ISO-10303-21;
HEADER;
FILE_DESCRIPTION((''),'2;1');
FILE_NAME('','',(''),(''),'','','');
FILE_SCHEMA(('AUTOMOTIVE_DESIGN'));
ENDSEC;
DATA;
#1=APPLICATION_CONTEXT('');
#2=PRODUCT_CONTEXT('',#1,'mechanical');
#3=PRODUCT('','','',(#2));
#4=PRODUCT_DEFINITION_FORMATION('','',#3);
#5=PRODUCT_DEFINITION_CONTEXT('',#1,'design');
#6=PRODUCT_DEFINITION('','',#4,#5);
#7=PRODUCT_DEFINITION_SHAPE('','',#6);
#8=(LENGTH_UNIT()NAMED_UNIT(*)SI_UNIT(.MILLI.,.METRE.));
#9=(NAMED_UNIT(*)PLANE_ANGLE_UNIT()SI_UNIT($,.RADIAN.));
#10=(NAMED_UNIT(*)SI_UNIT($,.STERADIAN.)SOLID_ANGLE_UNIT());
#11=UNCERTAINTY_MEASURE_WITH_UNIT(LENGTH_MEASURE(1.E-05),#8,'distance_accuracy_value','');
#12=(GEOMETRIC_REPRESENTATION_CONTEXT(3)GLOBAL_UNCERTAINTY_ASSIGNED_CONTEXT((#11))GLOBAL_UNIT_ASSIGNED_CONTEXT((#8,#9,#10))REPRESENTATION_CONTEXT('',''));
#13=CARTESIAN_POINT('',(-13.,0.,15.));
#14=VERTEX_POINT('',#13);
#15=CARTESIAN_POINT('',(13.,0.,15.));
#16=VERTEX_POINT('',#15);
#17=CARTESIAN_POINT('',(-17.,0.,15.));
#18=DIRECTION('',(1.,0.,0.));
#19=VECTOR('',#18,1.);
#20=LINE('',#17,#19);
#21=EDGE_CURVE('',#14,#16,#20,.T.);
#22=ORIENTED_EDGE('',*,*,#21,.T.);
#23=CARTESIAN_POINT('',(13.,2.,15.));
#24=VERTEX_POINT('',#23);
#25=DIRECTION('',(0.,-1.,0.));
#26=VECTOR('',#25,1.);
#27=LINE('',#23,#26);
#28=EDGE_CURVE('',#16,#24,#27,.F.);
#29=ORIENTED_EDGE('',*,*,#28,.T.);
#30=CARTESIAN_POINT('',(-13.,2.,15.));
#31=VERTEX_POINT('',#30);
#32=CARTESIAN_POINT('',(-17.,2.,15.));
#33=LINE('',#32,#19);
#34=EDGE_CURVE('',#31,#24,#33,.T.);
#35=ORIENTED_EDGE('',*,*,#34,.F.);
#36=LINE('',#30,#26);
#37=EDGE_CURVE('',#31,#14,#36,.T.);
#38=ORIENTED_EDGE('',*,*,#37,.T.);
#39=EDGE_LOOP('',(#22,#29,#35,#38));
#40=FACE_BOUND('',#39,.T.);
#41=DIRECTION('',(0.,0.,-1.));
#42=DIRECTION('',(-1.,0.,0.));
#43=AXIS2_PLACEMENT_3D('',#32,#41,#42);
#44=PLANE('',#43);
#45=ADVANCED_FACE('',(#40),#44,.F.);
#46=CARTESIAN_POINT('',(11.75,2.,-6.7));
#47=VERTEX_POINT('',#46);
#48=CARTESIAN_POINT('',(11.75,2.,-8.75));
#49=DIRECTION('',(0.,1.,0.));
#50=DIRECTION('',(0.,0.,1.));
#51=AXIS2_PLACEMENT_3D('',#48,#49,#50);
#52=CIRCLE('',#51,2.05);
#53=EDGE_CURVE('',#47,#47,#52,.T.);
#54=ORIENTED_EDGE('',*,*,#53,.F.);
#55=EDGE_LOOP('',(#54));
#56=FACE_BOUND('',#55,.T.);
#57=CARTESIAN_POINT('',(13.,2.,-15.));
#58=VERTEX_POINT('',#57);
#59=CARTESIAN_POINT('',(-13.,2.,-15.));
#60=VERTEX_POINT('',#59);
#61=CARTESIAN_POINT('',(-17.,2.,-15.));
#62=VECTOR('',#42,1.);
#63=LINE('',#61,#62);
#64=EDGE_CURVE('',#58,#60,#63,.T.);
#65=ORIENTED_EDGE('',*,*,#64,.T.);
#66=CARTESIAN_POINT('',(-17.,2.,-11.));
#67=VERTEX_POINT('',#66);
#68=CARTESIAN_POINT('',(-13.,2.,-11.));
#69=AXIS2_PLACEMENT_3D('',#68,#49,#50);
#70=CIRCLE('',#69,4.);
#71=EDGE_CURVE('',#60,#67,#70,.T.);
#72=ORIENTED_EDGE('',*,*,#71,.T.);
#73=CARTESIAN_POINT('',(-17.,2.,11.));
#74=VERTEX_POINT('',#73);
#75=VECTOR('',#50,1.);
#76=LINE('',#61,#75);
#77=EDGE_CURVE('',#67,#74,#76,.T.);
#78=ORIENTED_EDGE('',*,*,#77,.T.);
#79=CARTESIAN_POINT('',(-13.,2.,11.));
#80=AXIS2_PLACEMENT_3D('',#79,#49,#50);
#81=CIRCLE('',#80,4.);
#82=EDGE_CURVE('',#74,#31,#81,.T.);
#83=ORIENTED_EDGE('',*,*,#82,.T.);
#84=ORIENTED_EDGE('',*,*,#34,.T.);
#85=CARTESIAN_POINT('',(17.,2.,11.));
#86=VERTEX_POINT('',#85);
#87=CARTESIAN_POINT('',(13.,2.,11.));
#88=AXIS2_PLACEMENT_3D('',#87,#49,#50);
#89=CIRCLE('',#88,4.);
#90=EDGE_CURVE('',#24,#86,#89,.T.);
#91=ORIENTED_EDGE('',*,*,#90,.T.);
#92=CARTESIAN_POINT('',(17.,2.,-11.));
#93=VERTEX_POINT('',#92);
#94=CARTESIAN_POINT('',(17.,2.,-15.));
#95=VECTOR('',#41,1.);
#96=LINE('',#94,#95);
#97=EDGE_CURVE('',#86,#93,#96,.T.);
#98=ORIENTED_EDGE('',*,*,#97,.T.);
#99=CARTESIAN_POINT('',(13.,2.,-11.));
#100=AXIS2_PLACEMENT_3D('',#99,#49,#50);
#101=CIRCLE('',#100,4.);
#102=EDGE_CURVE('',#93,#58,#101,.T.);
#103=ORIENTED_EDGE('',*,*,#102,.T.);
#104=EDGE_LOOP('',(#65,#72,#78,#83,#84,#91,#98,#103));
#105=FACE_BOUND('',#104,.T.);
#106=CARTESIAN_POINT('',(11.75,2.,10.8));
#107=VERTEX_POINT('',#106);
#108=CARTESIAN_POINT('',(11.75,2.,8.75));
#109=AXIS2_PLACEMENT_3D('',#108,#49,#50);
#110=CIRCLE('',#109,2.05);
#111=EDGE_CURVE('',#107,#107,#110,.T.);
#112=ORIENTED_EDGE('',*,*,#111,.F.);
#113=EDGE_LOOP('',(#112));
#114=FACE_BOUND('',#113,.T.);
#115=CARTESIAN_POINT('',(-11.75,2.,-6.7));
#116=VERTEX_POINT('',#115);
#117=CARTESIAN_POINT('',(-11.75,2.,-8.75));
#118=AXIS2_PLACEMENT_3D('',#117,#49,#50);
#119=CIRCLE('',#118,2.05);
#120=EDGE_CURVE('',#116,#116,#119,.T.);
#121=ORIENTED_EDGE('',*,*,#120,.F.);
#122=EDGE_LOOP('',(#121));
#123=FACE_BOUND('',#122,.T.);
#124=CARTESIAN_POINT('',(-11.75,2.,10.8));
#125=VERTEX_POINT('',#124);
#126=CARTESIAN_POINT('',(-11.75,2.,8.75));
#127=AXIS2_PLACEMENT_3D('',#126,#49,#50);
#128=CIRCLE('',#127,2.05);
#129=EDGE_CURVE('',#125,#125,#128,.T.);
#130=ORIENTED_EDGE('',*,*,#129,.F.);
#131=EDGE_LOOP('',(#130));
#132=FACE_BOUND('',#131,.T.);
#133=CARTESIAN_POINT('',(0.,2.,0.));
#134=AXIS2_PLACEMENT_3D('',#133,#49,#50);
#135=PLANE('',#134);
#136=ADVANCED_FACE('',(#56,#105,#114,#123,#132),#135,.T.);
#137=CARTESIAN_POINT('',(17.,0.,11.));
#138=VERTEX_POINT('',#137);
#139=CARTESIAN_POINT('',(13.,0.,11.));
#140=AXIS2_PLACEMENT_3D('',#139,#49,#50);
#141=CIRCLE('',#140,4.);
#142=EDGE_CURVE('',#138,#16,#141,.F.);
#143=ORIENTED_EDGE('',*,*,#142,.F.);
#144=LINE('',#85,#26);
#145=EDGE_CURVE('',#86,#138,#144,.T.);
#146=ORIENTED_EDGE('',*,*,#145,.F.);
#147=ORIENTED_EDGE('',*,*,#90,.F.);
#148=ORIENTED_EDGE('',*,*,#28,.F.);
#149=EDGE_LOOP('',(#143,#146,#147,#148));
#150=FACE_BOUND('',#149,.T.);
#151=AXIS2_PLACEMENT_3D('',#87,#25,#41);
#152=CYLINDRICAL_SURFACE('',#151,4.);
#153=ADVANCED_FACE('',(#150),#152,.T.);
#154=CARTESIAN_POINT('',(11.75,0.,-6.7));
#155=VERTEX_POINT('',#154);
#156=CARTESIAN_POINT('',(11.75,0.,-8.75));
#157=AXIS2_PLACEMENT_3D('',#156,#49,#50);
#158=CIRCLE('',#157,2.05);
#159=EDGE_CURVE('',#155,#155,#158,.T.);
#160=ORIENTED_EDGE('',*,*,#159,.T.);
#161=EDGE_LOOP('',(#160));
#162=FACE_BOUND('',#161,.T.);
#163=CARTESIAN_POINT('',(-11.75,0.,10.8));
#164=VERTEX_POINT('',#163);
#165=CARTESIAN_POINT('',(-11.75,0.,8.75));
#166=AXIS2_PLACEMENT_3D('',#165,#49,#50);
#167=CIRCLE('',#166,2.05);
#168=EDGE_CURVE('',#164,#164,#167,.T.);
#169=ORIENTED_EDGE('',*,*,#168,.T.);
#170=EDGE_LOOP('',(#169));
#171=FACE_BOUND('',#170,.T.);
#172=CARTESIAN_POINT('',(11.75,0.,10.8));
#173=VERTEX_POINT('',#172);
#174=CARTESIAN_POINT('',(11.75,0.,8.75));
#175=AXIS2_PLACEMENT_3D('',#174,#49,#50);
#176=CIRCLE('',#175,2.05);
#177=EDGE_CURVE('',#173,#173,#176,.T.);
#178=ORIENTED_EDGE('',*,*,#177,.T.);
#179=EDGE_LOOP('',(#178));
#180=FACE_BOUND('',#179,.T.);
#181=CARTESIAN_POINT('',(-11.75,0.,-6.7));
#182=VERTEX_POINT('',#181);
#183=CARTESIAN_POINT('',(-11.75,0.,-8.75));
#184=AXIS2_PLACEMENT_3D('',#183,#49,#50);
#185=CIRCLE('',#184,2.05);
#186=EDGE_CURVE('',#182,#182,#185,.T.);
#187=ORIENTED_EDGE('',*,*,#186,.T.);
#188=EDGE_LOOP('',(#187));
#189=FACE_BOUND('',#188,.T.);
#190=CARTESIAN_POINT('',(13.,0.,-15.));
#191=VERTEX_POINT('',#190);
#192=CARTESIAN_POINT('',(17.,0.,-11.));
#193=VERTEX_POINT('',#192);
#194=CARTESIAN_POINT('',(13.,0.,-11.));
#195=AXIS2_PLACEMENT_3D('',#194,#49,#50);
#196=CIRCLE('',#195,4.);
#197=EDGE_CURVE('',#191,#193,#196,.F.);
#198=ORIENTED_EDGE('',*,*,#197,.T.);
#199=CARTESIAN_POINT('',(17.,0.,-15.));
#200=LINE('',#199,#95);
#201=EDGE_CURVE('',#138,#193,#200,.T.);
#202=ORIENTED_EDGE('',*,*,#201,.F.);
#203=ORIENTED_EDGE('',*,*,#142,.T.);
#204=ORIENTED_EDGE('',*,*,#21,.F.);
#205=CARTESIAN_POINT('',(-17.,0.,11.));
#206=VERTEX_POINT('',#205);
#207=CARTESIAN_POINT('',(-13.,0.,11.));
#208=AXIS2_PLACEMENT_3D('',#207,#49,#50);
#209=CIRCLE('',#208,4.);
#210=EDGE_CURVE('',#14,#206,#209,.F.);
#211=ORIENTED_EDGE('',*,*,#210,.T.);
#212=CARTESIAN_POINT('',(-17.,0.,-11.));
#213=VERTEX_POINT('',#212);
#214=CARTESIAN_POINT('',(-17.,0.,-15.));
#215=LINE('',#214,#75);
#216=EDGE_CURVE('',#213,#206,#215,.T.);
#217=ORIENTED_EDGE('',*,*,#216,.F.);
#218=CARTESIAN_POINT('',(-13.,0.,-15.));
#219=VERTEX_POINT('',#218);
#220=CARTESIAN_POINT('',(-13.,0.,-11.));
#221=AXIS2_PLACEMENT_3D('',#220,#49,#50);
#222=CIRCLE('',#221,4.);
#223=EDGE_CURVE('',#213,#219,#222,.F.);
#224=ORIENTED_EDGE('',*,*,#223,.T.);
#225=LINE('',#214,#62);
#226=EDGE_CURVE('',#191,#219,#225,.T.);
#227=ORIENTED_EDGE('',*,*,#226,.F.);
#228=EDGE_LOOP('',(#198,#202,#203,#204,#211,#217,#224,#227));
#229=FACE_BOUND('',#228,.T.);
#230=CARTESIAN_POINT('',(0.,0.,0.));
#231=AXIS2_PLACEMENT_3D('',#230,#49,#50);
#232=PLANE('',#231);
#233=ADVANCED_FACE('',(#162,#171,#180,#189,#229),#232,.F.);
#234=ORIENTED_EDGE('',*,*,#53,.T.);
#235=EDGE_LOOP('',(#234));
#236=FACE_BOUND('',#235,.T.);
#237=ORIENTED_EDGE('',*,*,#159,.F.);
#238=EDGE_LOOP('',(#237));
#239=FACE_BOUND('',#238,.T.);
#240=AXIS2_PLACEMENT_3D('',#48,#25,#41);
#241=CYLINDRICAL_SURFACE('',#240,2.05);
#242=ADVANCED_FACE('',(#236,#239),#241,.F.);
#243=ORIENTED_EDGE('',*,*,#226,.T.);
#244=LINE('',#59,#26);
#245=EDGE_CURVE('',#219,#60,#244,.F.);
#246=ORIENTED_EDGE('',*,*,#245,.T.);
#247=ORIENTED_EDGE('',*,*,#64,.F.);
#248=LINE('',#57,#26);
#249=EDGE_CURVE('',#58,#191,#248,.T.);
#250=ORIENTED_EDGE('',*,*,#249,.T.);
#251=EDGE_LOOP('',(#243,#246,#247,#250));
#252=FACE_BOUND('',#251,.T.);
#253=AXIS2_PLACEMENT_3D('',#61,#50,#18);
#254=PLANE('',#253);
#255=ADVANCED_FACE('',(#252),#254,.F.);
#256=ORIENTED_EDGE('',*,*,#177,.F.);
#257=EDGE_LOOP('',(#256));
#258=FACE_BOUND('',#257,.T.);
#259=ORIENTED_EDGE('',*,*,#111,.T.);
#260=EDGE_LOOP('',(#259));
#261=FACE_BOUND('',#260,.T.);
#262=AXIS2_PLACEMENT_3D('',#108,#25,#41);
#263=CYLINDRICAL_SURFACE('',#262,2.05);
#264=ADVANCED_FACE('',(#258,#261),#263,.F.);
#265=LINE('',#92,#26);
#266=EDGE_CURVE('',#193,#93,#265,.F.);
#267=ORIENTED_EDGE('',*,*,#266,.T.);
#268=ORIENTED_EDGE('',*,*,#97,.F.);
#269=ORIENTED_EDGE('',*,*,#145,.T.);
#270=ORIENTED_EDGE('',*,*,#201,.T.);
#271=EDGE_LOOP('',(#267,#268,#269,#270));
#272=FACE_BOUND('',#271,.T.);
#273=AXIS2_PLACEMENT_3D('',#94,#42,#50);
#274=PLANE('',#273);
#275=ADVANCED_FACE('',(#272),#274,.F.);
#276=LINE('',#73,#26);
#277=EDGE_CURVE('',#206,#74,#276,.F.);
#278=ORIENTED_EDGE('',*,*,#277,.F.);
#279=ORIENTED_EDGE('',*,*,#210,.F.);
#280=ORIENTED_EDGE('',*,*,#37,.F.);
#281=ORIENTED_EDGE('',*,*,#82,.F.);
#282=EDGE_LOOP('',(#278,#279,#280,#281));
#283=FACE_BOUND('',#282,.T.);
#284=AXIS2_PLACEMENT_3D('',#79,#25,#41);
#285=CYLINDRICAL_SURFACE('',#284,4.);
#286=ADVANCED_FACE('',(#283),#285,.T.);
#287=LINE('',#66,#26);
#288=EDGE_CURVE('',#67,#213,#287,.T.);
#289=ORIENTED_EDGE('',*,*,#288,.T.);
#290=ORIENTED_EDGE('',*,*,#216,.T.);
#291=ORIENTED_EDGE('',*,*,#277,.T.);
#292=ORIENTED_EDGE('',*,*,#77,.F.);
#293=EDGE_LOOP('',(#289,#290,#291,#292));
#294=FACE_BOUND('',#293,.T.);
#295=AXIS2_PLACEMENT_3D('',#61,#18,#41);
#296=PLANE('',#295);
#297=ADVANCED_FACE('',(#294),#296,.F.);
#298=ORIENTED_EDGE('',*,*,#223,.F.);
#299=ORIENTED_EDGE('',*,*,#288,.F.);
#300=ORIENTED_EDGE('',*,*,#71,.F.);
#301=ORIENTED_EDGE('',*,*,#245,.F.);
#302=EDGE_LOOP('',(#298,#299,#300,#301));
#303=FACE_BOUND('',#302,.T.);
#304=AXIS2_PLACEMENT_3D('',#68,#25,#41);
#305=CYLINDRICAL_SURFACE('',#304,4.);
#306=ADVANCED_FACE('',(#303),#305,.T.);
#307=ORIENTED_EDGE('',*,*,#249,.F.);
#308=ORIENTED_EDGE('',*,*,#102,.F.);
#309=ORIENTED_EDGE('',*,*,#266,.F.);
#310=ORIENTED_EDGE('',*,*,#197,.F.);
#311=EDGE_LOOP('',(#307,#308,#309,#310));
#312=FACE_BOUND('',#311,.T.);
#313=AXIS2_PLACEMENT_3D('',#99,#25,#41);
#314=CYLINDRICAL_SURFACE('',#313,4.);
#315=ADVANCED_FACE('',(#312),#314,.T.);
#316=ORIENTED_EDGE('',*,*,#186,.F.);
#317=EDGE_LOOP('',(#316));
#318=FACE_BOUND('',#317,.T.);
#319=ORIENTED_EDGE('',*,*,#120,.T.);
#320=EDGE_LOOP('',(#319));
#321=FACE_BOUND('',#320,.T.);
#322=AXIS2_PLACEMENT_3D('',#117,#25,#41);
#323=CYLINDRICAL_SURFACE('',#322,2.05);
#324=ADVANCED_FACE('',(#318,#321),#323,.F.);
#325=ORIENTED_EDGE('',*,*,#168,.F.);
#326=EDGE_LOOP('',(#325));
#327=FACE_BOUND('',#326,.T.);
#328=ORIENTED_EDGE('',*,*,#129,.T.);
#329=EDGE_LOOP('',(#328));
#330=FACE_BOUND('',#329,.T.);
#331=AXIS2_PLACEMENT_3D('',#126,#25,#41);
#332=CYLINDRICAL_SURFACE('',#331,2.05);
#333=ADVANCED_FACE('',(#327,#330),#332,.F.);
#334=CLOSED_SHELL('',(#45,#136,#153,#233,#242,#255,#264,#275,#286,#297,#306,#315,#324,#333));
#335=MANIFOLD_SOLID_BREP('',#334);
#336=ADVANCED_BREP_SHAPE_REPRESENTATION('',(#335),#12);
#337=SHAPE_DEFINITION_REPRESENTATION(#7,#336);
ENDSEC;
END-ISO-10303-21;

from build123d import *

# Parameters (mm, degrees)
SKETCH_1_W      = 34
SKETCH_1_H      = 30
SKETCH_1_R      = 2.05
EXTRUDE_1_DEPTH = 2
FILLET_1_R      = 4


with BuildPart() as part:
    # 草图1 → 凸台-拉伸1 (new body)
    with BuildSketch(Plane(origin=(0, 0, 0), x_dir=(1, 0, 0), z_dir=(0, 1, 0))):
        Rectangle(SKETCH_1_W, SKETCH_1_H)
        with Locations(Location((-11.75, 8.75, 0), (0, 0, 270))):
            Circle(SKETCH_1_R, mode=Mode.SUBTRACT)
        with Locations(Location((11.75, 8.75, 0), (0, 0, 270))):
            Circle(SKETCH_1_R, mode=Mode.SUBTRACT)
        with Locations(Location((11.75, -8.75, 0), (0, 0, 270))):
            Circle(SKETCH_1_R, mode=Mode.SUBTRACT)
        with Locations(Location((-11.75, -8.75, 0), (0, 0, 270))):
            Circle(SKETCH_1_R, mode=Mode.SUBTRACT)
    extrude(amount=EXTRUDE_1_DEPTH)

    # 圆角1
    fillet_1_edges = [part.edges().sort_by_distance(p)[0] for p in [
        (17, 1, 15),
        (-17, 1, 15),
        (-17, 1, -15),
        (17, 1, -15),
    ]]
    fillet(fillet_1_edges, radius=FILLET_1_R)


solid = part.part
